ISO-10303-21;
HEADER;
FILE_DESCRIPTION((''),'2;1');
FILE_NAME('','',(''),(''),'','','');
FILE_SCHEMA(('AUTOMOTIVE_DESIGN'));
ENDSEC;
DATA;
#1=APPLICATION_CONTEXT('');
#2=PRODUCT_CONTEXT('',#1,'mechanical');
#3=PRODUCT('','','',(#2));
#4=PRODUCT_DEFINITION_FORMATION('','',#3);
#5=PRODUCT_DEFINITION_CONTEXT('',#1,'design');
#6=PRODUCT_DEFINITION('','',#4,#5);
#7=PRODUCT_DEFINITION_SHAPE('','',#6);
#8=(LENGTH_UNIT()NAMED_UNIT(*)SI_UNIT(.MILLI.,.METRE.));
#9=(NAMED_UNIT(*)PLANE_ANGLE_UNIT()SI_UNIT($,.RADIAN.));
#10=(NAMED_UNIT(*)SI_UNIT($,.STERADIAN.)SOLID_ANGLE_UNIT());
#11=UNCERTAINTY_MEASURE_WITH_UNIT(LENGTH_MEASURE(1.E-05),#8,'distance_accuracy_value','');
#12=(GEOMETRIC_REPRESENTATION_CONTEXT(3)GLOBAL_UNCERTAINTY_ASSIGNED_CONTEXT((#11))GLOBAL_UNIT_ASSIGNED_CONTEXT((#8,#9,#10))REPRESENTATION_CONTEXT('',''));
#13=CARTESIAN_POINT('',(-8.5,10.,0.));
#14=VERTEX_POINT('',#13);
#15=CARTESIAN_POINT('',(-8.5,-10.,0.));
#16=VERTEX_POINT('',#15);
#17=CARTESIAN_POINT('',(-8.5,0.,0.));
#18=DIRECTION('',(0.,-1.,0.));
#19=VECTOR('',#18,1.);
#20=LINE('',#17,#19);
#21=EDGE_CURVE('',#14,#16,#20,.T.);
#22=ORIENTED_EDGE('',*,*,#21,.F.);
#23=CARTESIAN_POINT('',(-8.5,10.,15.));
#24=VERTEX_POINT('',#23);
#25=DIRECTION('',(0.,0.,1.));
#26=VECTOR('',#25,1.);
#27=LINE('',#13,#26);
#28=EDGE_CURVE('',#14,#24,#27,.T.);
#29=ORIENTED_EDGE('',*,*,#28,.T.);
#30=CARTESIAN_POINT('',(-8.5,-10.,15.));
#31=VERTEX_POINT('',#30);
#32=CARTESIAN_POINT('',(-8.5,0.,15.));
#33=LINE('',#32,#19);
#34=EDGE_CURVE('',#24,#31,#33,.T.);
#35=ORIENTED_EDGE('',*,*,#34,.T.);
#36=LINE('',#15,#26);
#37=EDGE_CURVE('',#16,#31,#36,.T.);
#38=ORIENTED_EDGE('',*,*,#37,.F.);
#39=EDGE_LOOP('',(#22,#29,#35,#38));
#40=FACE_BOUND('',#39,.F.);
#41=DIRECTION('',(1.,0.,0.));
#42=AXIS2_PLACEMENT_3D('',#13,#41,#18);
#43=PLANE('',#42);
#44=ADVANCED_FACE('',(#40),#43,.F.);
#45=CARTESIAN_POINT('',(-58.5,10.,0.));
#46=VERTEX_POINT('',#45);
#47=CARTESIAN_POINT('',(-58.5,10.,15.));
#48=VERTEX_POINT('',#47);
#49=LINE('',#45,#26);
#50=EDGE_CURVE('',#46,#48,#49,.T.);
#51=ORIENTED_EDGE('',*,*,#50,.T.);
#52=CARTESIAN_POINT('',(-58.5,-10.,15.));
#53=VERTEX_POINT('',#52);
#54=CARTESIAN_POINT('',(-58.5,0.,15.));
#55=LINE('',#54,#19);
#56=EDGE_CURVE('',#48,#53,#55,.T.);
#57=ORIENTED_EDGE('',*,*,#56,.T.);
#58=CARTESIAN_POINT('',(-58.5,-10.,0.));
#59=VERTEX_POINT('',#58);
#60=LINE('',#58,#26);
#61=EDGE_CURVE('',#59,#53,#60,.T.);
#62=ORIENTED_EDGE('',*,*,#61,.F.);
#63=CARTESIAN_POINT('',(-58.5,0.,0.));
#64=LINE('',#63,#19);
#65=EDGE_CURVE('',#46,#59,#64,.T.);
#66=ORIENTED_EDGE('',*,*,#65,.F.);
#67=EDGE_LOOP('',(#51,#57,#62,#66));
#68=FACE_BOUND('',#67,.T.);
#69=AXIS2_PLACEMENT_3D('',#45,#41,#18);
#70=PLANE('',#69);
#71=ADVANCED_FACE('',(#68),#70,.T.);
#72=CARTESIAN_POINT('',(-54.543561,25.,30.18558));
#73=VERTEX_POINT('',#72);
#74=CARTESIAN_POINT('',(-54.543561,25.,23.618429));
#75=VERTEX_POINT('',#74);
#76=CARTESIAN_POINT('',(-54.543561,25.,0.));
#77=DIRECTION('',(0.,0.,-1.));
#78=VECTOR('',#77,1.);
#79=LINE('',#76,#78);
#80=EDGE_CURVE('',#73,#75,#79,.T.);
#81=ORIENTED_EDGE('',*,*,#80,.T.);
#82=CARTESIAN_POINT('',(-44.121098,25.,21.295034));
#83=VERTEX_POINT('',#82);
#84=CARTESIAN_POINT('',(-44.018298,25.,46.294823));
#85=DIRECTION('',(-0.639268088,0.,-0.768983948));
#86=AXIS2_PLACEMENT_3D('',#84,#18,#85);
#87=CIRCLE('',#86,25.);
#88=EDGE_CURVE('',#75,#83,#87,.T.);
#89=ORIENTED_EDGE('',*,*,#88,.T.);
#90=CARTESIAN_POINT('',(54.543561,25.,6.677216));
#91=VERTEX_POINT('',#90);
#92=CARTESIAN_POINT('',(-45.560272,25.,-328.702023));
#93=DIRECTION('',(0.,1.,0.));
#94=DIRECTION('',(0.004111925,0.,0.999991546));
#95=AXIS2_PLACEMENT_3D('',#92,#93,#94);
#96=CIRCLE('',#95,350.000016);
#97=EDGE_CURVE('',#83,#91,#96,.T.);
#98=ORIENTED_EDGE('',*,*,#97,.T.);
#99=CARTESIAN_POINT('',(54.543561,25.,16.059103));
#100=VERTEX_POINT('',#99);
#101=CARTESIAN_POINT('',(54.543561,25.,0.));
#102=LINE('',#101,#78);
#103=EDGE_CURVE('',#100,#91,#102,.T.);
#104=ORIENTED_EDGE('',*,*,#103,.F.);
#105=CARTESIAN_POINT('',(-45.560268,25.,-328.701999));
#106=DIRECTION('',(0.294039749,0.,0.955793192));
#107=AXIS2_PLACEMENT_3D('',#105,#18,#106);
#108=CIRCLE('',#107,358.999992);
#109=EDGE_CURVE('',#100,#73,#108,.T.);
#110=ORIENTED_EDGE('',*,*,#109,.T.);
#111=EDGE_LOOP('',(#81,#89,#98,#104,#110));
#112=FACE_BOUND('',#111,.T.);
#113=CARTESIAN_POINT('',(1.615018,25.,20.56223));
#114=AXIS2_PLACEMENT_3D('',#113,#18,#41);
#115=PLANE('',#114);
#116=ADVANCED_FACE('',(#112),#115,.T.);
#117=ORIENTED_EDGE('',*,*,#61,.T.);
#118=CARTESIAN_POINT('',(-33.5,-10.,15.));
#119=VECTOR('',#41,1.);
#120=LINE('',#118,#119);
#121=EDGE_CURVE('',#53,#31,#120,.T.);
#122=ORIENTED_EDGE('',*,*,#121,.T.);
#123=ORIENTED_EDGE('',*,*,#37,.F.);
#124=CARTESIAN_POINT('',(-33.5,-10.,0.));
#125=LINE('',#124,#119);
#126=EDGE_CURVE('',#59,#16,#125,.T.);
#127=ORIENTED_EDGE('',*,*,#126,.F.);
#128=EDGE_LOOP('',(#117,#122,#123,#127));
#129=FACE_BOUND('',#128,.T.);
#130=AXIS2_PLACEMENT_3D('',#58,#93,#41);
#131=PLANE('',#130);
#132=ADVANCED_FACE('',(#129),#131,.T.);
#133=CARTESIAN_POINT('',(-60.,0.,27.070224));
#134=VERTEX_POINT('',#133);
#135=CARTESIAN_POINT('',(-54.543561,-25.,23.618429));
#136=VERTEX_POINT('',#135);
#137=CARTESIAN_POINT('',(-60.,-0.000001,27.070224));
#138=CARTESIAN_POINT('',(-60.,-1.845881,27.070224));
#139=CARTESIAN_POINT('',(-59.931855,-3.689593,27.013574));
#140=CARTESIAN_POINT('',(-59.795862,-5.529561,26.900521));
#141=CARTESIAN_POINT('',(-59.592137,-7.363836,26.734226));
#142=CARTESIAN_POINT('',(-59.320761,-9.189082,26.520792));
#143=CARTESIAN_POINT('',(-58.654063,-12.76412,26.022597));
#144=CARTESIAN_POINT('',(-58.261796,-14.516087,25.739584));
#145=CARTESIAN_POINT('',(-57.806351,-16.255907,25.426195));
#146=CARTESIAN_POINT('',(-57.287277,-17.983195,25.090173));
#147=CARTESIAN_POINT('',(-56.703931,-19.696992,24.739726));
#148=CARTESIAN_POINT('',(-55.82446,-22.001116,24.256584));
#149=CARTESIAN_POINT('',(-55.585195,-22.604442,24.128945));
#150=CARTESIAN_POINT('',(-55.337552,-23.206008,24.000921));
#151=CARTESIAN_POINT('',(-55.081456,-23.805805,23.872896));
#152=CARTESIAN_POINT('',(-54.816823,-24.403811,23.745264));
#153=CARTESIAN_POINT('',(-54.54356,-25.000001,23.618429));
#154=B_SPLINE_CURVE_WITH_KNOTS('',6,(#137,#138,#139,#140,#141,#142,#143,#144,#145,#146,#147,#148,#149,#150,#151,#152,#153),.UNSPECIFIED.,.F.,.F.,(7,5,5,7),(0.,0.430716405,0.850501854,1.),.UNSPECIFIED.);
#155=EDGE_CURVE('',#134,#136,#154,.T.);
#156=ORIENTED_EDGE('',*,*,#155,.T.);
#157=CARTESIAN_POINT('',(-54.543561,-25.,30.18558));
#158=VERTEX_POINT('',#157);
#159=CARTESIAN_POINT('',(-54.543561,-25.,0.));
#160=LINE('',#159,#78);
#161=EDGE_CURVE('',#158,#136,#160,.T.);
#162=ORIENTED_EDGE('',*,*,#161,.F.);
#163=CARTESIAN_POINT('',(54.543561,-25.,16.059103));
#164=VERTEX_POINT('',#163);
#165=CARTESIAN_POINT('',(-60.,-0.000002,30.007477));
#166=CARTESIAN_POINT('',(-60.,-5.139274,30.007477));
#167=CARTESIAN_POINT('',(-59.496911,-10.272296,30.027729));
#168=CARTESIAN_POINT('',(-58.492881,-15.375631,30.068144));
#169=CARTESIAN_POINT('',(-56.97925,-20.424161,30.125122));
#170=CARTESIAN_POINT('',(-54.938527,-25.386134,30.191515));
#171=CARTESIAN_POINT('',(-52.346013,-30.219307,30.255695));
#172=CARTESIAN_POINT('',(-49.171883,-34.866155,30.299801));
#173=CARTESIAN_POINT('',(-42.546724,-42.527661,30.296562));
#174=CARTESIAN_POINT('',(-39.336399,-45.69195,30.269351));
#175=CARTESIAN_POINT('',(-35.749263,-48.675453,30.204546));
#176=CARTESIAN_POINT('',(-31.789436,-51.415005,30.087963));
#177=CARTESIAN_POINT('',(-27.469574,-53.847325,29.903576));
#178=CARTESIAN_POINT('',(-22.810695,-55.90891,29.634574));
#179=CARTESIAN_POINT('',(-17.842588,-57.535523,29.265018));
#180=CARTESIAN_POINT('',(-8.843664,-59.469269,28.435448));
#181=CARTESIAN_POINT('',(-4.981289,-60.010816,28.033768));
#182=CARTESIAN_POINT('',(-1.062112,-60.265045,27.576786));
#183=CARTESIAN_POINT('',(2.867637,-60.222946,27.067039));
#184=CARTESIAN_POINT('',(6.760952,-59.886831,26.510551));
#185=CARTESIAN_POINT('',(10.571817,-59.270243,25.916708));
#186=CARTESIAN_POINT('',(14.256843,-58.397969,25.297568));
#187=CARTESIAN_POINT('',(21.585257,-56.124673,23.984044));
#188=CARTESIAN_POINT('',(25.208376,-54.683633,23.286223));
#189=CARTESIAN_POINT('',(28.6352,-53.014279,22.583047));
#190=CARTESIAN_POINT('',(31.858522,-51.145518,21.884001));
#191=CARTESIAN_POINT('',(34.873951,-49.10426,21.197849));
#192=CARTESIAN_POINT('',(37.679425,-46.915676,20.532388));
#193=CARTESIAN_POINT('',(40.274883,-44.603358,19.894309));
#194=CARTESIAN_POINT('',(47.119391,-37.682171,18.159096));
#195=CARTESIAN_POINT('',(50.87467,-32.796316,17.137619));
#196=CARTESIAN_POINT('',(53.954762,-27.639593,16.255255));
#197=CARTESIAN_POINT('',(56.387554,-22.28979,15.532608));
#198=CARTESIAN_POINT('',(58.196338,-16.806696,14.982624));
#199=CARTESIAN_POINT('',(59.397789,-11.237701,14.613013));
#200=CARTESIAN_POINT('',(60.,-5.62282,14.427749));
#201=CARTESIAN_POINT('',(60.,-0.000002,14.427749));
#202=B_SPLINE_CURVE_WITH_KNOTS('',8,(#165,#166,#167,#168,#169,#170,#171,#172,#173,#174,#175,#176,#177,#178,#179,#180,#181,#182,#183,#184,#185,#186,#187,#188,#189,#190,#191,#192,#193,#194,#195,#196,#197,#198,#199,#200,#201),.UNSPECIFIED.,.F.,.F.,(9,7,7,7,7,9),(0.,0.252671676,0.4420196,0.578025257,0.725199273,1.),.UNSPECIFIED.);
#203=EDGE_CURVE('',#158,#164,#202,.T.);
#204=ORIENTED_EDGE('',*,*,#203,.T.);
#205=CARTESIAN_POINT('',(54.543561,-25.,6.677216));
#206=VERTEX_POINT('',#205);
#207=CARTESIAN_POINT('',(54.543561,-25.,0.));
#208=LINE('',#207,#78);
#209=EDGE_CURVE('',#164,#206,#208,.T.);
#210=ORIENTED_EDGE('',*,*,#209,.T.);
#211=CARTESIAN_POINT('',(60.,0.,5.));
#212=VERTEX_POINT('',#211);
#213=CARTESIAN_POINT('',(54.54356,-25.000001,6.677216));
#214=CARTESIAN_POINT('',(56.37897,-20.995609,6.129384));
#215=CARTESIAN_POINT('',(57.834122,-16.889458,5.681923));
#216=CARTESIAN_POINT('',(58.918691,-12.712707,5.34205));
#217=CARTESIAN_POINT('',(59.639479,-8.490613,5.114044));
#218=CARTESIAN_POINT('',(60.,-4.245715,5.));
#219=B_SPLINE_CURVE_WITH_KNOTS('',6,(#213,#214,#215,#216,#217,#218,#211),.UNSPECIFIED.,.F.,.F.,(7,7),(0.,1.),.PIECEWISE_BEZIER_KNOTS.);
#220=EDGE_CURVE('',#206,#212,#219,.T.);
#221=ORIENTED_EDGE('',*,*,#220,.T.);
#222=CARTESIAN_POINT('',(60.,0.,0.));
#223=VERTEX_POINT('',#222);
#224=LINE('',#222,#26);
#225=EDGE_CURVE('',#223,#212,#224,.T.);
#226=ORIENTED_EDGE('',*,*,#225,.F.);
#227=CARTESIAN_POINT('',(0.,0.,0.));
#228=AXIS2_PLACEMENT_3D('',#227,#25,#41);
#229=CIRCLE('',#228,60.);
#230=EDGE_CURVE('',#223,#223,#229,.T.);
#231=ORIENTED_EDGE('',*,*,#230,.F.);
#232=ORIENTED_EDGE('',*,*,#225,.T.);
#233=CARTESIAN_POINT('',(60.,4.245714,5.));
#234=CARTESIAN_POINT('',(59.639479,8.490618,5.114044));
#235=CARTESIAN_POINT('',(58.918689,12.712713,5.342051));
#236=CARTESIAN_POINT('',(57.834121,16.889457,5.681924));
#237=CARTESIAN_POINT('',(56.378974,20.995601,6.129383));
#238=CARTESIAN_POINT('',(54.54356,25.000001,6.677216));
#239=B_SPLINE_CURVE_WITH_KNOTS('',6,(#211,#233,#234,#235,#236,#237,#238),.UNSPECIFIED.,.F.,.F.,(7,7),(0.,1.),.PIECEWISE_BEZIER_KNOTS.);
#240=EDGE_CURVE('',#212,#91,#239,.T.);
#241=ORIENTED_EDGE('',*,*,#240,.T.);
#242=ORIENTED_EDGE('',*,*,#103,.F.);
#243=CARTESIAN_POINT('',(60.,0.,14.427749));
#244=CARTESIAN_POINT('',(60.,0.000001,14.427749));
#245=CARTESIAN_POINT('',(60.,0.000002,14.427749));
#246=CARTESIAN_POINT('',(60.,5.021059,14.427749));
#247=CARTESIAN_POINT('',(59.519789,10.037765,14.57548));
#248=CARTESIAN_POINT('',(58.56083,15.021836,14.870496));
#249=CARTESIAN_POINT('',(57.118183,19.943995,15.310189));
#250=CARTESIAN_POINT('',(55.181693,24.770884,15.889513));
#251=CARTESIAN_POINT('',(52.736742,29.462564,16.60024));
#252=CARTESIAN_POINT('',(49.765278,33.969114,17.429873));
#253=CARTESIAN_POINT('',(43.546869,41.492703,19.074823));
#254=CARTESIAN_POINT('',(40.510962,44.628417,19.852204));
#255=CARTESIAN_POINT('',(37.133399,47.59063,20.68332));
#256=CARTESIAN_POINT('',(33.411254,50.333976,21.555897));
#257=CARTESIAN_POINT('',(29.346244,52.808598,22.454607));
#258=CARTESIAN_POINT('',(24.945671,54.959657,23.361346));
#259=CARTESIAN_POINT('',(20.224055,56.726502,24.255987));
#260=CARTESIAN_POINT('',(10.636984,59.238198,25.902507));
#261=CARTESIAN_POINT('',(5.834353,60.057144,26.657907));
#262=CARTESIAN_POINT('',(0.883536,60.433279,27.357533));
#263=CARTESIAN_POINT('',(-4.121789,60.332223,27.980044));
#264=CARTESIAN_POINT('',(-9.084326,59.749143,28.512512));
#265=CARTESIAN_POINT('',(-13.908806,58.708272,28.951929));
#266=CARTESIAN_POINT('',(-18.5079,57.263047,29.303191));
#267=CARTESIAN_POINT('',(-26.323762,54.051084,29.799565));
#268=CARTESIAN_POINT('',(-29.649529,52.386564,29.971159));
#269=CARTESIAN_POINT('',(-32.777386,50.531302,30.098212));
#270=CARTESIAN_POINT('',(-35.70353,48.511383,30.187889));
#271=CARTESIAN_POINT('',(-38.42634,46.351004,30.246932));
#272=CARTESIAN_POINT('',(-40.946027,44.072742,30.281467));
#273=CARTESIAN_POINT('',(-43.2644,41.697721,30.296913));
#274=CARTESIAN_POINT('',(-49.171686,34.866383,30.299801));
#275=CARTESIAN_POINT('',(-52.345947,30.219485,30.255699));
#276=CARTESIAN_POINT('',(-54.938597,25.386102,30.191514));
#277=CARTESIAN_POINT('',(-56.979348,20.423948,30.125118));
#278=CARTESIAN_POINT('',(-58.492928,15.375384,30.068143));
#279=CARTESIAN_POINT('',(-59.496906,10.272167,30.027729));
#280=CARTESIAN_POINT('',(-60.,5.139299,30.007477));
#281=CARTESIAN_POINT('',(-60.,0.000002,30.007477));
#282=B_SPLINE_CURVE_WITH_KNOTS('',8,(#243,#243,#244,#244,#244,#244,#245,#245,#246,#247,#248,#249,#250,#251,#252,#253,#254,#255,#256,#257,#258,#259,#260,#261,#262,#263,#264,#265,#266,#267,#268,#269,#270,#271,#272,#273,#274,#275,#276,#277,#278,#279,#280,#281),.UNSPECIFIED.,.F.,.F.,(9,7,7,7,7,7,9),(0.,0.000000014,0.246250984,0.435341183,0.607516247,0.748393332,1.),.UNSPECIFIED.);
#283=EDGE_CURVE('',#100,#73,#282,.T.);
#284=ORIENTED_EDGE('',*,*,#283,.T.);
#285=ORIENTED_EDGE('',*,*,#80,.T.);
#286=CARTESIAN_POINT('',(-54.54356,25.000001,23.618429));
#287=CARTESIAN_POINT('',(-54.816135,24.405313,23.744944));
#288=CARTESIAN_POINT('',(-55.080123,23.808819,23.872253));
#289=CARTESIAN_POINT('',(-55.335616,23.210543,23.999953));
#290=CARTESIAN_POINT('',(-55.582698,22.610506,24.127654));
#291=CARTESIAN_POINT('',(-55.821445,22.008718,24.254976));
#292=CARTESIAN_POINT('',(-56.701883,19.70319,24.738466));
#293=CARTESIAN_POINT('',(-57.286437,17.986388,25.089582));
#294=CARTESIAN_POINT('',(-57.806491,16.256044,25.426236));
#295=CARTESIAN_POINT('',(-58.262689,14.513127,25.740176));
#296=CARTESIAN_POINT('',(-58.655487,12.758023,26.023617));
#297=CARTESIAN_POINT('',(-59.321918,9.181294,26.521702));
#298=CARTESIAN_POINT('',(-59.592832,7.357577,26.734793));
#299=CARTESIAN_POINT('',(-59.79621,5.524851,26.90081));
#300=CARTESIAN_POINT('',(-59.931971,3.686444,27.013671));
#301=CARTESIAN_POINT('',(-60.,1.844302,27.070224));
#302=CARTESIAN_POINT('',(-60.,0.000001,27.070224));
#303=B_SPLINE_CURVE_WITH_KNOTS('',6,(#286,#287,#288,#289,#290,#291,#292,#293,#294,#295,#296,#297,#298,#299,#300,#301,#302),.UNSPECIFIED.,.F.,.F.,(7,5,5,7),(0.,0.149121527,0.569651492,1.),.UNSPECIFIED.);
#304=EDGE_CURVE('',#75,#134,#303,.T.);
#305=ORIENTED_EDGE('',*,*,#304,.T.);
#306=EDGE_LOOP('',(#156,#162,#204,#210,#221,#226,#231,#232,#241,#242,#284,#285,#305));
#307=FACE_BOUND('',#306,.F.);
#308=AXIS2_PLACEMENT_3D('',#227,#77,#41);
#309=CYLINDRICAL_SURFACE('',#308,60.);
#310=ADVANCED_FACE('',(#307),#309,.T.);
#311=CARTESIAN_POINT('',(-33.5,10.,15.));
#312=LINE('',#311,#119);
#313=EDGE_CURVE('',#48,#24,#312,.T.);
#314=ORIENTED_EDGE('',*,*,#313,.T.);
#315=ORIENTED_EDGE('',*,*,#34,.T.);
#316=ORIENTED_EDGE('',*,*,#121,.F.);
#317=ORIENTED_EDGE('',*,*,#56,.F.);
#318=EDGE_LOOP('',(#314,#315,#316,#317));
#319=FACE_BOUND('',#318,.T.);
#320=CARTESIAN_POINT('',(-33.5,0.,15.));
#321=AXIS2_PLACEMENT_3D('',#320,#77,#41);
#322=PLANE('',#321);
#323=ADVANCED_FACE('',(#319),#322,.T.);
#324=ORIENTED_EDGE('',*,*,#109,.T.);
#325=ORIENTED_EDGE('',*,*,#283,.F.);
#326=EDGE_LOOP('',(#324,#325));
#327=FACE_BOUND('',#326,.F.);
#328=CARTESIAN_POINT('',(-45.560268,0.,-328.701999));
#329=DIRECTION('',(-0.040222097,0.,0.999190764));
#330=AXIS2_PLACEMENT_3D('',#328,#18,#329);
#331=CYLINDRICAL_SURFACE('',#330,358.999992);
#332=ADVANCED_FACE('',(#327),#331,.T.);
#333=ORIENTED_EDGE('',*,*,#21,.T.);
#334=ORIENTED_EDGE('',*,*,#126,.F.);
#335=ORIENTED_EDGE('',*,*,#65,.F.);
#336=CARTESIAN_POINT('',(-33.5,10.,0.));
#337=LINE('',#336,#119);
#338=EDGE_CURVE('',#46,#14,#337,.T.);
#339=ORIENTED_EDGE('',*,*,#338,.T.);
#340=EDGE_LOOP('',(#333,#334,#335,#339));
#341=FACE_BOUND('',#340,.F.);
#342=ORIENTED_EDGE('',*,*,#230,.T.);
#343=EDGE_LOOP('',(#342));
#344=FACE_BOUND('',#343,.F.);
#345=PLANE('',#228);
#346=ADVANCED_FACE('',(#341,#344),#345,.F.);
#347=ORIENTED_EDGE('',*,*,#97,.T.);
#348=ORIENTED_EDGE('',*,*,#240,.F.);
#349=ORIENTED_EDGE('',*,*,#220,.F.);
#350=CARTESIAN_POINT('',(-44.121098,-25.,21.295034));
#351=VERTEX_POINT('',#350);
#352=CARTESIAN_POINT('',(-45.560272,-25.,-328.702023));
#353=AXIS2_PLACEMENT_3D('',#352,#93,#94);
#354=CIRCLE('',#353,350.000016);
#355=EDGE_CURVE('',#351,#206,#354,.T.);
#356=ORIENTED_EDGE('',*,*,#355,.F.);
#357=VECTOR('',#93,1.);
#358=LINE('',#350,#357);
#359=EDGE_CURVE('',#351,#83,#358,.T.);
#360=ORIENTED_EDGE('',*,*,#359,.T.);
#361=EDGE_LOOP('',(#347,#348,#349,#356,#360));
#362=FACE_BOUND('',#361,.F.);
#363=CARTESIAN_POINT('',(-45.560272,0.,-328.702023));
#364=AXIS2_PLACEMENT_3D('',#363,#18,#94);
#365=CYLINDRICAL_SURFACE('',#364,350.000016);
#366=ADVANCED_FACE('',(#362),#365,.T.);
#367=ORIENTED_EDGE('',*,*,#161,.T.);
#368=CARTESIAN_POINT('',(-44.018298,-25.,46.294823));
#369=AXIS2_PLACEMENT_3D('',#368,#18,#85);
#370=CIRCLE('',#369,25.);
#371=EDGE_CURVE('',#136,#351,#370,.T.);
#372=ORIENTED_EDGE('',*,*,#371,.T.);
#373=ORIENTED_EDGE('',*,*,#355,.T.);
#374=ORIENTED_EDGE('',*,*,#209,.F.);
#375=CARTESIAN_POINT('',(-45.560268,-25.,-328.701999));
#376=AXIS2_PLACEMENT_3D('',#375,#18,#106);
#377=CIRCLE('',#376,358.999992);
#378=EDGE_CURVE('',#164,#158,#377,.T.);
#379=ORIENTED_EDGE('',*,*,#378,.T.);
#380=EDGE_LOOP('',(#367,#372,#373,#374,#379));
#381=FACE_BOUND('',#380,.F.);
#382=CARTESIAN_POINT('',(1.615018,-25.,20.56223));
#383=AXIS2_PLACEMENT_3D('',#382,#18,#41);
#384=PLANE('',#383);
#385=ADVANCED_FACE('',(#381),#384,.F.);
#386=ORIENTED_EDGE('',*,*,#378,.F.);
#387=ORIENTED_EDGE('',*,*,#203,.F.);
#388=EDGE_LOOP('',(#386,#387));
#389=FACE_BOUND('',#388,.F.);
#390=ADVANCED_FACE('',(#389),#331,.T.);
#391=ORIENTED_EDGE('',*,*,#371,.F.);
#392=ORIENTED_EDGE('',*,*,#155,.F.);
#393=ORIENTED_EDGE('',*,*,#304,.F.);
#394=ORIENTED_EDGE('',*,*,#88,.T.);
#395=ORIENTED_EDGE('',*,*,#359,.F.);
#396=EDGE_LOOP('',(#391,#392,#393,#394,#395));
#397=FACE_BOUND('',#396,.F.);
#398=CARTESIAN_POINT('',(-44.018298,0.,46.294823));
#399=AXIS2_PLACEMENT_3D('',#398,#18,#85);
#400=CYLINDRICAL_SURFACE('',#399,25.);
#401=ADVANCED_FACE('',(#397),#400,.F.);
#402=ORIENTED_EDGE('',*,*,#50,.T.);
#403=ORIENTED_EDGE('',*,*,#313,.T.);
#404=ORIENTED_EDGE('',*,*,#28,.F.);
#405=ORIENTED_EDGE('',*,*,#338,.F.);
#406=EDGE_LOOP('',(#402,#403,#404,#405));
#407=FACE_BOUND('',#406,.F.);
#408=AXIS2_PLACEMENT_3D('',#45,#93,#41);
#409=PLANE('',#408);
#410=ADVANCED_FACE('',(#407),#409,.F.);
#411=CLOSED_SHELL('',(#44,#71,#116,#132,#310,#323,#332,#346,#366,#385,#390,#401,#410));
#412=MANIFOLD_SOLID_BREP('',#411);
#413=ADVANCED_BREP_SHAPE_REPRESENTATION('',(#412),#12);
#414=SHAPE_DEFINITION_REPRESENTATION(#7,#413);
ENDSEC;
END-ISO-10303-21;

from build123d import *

# Parameters (mm, degrees)
F0_R     = 60
F1_DEPTH = 40
F3_DEPTH = 100
F4_DEPTH = 25
F5_W     = 50
F5_H     = 20
F6_DEPTH = 15


with BuildPart() as f1:
    # F0 (on Top) → F1 (new body)
    with BuildSketch(Plane.XY):
        Circle(F0_R)
    extrude(amount=F1_DEPTH)

    # F2 (on Front) → F3 (cut, symmetric)
    with BuildSketch(Plane.XZ):
        with BuildLine():
            ThreePointArc((-60, 30.007477), (0.661156, 27.310043), (60, 14.427749))
            Line((60, 14.427749), (60, 41.473642))
            Line((60, 41.473642), (-60, 41.473642))
            Line((-60, 41.473642), (-60, 30.007477))
        make_face()
    extrude(amount=F3_DEPTH, both=True, mode=Mode.SUBTRACT)

    # F2 (on Front) → F4 (cut, symmetric)
    with BuildSketch(Plane.XZ):
        with BuildLine():
            ThreePointArc((-44.121098, 21.295034), (8.556291, 17.088967), (60, 5))
            Line((60, 5), (60, 14.427749))
            ThreePointArc((60, 14.427749), (0.661156, 27.310043), (-60, 30.007477))
            Line((-60, 30.007477), (-60, 27.070224))
            ThreePointArc((-60, 27.070224), (-52.563238, 22.800483), (-44.121098, 21.295034))
        make_face()
    extrude(amount=F4_DEPTH, both=True, mode=Mode.SUBTRACT)

    # F5 (on face) → F6 (cut)
    with BuildSketch(Plane(origin=(0, 0, 0), x_dir=(1, 0, 0), z_dir=(0, 0, -1))):
        with Locations((-33.5, 0)):
            Rectangle(F5_W, F5_H)
    extrude(amount=-F6_DEPTH, mode=Mode.SUBTRACT)


solid = f1.part
